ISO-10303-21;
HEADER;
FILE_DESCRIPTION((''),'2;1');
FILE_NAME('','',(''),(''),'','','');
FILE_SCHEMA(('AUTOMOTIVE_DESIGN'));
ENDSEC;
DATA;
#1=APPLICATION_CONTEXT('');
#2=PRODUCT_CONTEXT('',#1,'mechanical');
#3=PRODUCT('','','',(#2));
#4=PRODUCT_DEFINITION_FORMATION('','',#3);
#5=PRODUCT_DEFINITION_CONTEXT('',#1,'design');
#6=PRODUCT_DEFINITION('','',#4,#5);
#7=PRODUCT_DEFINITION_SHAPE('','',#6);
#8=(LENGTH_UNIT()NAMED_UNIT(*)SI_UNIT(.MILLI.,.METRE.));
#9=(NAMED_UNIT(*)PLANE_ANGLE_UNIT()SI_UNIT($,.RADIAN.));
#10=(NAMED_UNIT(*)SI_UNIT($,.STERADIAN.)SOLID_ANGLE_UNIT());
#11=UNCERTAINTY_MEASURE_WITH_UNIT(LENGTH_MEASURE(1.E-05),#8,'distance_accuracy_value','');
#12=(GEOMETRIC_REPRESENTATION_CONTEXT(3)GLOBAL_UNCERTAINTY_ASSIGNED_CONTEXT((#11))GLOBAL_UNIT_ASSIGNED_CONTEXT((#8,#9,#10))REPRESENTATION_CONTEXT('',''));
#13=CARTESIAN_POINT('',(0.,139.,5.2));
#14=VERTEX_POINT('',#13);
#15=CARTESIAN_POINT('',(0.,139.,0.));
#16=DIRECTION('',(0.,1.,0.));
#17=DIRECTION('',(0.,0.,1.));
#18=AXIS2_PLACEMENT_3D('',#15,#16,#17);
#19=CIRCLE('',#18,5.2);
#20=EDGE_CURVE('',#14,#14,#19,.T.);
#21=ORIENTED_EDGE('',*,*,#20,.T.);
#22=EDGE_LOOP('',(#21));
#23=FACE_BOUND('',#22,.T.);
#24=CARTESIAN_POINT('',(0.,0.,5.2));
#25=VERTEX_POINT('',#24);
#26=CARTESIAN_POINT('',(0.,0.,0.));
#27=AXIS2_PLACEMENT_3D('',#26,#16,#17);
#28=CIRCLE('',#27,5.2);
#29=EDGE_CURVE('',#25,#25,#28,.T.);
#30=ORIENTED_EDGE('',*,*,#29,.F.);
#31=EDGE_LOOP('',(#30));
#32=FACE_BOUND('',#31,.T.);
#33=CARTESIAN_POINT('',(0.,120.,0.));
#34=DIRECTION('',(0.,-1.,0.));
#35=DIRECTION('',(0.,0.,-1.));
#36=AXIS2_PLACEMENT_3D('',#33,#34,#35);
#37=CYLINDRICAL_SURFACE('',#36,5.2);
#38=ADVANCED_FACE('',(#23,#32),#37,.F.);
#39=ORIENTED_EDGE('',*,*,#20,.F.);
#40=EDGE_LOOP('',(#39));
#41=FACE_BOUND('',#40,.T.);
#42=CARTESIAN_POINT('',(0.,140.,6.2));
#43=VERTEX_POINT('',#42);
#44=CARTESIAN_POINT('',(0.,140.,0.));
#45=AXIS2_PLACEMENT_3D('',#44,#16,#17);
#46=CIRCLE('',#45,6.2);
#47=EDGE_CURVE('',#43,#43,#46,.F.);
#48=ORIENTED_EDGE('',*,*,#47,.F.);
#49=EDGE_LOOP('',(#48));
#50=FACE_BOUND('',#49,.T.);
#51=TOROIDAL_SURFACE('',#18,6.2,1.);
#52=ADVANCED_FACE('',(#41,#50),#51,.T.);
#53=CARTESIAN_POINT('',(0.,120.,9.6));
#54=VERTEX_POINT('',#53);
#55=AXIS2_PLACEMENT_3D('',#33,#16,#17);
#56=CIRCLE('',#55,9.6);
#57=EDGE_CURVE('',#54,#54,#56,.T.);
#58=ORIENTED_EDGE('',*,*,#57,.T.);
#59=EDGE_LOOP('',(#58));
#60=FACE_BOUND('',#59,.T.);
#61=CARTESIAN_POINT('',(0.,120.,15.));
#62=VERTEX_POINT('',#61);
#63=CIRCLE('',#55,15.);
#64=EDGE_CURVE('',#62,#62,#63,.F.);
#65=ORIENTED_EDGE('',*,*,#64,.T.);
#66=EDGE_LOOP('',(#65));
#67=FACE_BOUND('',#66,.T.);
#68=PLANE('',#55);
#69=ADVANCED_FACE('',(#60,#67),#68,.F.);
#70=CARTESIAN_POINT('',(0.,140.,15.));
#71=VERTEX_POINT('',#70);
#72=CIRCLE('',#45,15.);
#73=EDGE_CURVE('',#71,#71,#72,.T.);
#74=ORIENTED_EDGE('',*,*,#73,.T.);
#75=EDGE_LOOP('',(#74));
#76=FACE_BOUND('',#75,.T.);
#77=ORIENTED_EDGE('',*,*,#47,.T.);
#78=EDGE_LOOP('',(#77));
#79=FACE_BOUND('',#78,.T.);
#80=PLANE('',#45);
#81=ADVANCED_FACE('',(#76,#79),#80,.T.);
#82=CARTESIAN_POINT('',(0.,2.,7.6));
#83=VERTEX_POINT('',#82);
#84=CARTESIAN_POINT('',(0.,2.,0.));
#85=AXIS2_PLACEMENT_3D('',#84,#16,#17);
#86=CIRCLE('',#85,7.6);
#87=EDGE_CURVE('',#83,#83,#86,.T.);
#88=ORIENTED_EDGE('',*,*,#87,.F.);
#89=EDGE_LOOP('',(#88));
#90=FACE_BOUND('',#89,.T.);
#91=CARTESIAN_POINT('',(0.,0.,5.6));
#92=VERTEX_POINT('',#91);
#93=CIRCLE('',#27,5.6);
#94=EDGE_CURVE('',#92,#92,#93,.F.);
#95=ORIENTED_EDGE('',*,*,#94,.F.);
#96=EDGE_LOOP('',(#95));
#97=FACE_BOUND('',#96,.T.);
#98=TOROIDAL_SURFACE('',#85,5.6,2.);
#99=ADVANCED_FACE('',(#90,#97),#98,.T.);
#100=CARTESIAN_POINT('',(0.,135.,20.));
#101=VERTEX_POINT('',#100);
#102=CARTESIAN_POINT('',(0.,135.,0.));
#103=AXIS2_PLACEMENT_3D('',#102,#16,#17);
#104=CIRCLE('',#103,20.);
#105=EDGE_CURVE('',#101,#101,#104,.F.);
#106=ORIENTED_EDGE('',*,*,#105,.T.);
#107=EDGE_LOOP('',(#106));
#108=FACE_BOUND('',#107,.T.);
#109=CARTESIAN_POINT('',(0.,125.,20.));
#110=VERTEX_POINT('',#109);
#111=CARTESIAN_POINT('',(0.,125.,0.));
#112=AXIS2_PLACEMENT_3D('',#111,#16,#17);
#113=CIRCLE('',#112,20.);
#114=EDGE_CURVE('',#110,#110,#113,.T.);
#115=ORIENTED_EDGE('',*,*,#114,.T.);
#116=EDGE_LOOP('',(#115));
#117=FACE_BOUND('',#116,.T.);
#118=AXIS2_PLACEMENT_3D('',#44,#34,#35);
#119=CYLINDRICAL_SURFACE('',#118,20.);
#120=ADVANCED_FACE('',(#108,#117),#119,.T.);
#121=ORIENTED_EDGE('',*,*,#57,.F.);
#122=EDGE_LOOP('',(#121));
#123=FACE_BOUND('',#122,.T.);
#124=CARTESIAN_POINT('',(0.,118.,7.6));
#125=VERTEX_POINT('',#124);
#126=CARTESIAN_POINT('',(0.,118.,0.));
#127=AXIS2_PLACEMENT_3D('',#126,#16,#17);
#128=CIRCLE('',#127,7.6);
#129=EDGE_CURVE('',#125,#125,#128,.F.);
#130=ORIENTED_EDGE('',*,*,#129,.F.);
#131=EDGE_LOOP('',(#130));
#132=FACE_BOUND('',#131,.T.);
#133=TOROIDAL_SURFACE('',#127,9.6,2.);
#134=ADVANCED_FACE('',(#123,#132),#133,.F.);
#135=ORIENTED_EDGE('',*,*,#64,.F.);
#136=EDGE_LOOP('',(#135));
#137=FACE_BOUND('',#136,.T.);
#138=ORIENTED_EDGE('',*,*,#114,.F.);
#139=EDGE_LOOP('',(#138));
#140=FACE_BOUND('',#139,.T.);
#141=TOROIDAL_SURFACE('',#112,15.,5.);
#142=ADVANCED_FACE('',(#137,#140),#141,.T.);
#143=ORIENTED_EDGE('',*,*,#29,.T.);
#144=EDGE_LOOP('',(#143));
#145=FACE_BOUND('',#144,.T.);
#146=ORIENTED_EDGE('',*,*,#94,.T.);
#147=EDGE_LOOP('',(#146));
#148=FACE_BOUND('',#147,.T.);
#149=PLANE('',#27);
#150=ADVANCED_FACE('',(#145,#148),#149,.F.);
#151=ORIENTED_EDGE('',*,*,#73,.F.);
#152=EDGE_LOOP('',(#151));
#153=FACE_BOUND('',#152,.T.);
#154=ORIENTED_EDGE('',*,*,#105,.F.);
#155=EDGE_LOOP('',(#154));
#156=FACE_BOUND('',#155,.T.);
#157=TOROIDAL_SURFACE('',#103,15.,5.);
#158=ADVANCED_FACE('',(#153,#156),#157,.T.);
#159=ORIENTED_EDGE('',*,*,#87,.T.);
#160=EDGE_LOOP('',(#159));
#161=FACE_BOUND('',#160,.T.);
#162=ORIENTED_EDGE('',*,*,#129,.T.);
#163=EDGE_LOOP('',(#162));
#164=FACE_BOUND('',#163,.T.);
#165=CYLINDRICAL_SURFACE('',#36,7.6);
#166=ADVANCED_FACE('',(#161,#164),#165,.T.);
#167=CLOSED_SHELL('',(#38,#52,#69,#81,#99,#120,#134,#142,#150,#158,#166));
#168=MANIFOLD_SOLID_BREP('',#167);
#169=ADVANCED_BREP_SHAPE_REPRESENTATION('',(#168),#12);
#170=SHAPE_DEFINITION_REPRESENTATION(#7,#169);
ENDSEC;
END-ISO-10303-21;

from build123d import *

# Parameters (mm, degrees)
SKETCH_1_R          = 7.6
SKETCH_1_R_2        = 5.2
EXTRUDE_1_DEPTH     = 120
SKETCH_2_R          = 20
EXTRUDE_2_DEPTH     = 20
CUT_EXTRUDE_START   = -157
SKETCH_3_R          = 5.2
CUT_EXTRUDE_1_DEPTH = 157
FILLET_1_R          = 5
FILLET_2_R          = 2
FILLET_3_R          = 1


with BuildPart() as part:
    # 草图1 → 凸台-拉伸1 (new body)
    with BuildSketch(Plane(origin=(0, 0, 0), x_dir=(1, 0, 0), z_dir=(0, 1, 0))):
        with Locations(Location((0, 0, 0), (0, 0, 270))):
            Circle(SKETCH_1_R)
        with Locations(Location((0, 0, 0), (0, 0, 270))):
            Circle(SKETCH_1_R_2, mode=Mode.SUBTRACT)
    extrude(amount=EXTRUDE_1_DEPTH)

    # 草图2 → 凸台-拉伸2 (add)
    with BuildSketch(Plane(origin=(0, 120, 0), x_dir=(1, 0, 0), z_dir=(0, 1, 0))):
        with Locations(Location((0, 0, 0), (0, 0, 270))):
            Circle(SKETCH_2_R)
    extrude(amount=EXTRUDE_2_DEPTH)

    # 草图3 → 切除-拉伸1 (cut)
    with BuildSketch(Plane(origin=(0, 140, 0), x_dir=(1, 0, 0), z_dir=(0, 1, 0)).offset(CUT_EXTRUDE_START)):
        with Locations(Location((0, 0, 0), (0, 0, 270))):
            Circle(SKETCH_3_R)
    extrude(amount=CUT_EXTRUDE_1_DEPTH, mode=Mode.SUBTRACT)

    # 圆角1
    fillet_1_edges = [part.edges().sort_by_distance(p)[0] for p in [
        (0, 140, -20),
        (0, 120, -20),
    ]]
    fillet(fillet_1_edges, radius=FILLET_1_R)

    # 圆角2
    fillet_2_edges = [part.edges().sort_by_distance(p)[0] for p in [
        (0, 0, -7.6),
        (0, 120, -7.6),
    ]]
    fillet(fillet_2_edges, radius=FILLET_2_R)

    # 圆角3
    fillet_3_edges = [part.edges().sort_by_distance(p)[0] for p in [
        (0, 140, -5.2),
    ]]
    fillet(fillet_3_edges, radius=FILLET_3_R)


solid = part.part
